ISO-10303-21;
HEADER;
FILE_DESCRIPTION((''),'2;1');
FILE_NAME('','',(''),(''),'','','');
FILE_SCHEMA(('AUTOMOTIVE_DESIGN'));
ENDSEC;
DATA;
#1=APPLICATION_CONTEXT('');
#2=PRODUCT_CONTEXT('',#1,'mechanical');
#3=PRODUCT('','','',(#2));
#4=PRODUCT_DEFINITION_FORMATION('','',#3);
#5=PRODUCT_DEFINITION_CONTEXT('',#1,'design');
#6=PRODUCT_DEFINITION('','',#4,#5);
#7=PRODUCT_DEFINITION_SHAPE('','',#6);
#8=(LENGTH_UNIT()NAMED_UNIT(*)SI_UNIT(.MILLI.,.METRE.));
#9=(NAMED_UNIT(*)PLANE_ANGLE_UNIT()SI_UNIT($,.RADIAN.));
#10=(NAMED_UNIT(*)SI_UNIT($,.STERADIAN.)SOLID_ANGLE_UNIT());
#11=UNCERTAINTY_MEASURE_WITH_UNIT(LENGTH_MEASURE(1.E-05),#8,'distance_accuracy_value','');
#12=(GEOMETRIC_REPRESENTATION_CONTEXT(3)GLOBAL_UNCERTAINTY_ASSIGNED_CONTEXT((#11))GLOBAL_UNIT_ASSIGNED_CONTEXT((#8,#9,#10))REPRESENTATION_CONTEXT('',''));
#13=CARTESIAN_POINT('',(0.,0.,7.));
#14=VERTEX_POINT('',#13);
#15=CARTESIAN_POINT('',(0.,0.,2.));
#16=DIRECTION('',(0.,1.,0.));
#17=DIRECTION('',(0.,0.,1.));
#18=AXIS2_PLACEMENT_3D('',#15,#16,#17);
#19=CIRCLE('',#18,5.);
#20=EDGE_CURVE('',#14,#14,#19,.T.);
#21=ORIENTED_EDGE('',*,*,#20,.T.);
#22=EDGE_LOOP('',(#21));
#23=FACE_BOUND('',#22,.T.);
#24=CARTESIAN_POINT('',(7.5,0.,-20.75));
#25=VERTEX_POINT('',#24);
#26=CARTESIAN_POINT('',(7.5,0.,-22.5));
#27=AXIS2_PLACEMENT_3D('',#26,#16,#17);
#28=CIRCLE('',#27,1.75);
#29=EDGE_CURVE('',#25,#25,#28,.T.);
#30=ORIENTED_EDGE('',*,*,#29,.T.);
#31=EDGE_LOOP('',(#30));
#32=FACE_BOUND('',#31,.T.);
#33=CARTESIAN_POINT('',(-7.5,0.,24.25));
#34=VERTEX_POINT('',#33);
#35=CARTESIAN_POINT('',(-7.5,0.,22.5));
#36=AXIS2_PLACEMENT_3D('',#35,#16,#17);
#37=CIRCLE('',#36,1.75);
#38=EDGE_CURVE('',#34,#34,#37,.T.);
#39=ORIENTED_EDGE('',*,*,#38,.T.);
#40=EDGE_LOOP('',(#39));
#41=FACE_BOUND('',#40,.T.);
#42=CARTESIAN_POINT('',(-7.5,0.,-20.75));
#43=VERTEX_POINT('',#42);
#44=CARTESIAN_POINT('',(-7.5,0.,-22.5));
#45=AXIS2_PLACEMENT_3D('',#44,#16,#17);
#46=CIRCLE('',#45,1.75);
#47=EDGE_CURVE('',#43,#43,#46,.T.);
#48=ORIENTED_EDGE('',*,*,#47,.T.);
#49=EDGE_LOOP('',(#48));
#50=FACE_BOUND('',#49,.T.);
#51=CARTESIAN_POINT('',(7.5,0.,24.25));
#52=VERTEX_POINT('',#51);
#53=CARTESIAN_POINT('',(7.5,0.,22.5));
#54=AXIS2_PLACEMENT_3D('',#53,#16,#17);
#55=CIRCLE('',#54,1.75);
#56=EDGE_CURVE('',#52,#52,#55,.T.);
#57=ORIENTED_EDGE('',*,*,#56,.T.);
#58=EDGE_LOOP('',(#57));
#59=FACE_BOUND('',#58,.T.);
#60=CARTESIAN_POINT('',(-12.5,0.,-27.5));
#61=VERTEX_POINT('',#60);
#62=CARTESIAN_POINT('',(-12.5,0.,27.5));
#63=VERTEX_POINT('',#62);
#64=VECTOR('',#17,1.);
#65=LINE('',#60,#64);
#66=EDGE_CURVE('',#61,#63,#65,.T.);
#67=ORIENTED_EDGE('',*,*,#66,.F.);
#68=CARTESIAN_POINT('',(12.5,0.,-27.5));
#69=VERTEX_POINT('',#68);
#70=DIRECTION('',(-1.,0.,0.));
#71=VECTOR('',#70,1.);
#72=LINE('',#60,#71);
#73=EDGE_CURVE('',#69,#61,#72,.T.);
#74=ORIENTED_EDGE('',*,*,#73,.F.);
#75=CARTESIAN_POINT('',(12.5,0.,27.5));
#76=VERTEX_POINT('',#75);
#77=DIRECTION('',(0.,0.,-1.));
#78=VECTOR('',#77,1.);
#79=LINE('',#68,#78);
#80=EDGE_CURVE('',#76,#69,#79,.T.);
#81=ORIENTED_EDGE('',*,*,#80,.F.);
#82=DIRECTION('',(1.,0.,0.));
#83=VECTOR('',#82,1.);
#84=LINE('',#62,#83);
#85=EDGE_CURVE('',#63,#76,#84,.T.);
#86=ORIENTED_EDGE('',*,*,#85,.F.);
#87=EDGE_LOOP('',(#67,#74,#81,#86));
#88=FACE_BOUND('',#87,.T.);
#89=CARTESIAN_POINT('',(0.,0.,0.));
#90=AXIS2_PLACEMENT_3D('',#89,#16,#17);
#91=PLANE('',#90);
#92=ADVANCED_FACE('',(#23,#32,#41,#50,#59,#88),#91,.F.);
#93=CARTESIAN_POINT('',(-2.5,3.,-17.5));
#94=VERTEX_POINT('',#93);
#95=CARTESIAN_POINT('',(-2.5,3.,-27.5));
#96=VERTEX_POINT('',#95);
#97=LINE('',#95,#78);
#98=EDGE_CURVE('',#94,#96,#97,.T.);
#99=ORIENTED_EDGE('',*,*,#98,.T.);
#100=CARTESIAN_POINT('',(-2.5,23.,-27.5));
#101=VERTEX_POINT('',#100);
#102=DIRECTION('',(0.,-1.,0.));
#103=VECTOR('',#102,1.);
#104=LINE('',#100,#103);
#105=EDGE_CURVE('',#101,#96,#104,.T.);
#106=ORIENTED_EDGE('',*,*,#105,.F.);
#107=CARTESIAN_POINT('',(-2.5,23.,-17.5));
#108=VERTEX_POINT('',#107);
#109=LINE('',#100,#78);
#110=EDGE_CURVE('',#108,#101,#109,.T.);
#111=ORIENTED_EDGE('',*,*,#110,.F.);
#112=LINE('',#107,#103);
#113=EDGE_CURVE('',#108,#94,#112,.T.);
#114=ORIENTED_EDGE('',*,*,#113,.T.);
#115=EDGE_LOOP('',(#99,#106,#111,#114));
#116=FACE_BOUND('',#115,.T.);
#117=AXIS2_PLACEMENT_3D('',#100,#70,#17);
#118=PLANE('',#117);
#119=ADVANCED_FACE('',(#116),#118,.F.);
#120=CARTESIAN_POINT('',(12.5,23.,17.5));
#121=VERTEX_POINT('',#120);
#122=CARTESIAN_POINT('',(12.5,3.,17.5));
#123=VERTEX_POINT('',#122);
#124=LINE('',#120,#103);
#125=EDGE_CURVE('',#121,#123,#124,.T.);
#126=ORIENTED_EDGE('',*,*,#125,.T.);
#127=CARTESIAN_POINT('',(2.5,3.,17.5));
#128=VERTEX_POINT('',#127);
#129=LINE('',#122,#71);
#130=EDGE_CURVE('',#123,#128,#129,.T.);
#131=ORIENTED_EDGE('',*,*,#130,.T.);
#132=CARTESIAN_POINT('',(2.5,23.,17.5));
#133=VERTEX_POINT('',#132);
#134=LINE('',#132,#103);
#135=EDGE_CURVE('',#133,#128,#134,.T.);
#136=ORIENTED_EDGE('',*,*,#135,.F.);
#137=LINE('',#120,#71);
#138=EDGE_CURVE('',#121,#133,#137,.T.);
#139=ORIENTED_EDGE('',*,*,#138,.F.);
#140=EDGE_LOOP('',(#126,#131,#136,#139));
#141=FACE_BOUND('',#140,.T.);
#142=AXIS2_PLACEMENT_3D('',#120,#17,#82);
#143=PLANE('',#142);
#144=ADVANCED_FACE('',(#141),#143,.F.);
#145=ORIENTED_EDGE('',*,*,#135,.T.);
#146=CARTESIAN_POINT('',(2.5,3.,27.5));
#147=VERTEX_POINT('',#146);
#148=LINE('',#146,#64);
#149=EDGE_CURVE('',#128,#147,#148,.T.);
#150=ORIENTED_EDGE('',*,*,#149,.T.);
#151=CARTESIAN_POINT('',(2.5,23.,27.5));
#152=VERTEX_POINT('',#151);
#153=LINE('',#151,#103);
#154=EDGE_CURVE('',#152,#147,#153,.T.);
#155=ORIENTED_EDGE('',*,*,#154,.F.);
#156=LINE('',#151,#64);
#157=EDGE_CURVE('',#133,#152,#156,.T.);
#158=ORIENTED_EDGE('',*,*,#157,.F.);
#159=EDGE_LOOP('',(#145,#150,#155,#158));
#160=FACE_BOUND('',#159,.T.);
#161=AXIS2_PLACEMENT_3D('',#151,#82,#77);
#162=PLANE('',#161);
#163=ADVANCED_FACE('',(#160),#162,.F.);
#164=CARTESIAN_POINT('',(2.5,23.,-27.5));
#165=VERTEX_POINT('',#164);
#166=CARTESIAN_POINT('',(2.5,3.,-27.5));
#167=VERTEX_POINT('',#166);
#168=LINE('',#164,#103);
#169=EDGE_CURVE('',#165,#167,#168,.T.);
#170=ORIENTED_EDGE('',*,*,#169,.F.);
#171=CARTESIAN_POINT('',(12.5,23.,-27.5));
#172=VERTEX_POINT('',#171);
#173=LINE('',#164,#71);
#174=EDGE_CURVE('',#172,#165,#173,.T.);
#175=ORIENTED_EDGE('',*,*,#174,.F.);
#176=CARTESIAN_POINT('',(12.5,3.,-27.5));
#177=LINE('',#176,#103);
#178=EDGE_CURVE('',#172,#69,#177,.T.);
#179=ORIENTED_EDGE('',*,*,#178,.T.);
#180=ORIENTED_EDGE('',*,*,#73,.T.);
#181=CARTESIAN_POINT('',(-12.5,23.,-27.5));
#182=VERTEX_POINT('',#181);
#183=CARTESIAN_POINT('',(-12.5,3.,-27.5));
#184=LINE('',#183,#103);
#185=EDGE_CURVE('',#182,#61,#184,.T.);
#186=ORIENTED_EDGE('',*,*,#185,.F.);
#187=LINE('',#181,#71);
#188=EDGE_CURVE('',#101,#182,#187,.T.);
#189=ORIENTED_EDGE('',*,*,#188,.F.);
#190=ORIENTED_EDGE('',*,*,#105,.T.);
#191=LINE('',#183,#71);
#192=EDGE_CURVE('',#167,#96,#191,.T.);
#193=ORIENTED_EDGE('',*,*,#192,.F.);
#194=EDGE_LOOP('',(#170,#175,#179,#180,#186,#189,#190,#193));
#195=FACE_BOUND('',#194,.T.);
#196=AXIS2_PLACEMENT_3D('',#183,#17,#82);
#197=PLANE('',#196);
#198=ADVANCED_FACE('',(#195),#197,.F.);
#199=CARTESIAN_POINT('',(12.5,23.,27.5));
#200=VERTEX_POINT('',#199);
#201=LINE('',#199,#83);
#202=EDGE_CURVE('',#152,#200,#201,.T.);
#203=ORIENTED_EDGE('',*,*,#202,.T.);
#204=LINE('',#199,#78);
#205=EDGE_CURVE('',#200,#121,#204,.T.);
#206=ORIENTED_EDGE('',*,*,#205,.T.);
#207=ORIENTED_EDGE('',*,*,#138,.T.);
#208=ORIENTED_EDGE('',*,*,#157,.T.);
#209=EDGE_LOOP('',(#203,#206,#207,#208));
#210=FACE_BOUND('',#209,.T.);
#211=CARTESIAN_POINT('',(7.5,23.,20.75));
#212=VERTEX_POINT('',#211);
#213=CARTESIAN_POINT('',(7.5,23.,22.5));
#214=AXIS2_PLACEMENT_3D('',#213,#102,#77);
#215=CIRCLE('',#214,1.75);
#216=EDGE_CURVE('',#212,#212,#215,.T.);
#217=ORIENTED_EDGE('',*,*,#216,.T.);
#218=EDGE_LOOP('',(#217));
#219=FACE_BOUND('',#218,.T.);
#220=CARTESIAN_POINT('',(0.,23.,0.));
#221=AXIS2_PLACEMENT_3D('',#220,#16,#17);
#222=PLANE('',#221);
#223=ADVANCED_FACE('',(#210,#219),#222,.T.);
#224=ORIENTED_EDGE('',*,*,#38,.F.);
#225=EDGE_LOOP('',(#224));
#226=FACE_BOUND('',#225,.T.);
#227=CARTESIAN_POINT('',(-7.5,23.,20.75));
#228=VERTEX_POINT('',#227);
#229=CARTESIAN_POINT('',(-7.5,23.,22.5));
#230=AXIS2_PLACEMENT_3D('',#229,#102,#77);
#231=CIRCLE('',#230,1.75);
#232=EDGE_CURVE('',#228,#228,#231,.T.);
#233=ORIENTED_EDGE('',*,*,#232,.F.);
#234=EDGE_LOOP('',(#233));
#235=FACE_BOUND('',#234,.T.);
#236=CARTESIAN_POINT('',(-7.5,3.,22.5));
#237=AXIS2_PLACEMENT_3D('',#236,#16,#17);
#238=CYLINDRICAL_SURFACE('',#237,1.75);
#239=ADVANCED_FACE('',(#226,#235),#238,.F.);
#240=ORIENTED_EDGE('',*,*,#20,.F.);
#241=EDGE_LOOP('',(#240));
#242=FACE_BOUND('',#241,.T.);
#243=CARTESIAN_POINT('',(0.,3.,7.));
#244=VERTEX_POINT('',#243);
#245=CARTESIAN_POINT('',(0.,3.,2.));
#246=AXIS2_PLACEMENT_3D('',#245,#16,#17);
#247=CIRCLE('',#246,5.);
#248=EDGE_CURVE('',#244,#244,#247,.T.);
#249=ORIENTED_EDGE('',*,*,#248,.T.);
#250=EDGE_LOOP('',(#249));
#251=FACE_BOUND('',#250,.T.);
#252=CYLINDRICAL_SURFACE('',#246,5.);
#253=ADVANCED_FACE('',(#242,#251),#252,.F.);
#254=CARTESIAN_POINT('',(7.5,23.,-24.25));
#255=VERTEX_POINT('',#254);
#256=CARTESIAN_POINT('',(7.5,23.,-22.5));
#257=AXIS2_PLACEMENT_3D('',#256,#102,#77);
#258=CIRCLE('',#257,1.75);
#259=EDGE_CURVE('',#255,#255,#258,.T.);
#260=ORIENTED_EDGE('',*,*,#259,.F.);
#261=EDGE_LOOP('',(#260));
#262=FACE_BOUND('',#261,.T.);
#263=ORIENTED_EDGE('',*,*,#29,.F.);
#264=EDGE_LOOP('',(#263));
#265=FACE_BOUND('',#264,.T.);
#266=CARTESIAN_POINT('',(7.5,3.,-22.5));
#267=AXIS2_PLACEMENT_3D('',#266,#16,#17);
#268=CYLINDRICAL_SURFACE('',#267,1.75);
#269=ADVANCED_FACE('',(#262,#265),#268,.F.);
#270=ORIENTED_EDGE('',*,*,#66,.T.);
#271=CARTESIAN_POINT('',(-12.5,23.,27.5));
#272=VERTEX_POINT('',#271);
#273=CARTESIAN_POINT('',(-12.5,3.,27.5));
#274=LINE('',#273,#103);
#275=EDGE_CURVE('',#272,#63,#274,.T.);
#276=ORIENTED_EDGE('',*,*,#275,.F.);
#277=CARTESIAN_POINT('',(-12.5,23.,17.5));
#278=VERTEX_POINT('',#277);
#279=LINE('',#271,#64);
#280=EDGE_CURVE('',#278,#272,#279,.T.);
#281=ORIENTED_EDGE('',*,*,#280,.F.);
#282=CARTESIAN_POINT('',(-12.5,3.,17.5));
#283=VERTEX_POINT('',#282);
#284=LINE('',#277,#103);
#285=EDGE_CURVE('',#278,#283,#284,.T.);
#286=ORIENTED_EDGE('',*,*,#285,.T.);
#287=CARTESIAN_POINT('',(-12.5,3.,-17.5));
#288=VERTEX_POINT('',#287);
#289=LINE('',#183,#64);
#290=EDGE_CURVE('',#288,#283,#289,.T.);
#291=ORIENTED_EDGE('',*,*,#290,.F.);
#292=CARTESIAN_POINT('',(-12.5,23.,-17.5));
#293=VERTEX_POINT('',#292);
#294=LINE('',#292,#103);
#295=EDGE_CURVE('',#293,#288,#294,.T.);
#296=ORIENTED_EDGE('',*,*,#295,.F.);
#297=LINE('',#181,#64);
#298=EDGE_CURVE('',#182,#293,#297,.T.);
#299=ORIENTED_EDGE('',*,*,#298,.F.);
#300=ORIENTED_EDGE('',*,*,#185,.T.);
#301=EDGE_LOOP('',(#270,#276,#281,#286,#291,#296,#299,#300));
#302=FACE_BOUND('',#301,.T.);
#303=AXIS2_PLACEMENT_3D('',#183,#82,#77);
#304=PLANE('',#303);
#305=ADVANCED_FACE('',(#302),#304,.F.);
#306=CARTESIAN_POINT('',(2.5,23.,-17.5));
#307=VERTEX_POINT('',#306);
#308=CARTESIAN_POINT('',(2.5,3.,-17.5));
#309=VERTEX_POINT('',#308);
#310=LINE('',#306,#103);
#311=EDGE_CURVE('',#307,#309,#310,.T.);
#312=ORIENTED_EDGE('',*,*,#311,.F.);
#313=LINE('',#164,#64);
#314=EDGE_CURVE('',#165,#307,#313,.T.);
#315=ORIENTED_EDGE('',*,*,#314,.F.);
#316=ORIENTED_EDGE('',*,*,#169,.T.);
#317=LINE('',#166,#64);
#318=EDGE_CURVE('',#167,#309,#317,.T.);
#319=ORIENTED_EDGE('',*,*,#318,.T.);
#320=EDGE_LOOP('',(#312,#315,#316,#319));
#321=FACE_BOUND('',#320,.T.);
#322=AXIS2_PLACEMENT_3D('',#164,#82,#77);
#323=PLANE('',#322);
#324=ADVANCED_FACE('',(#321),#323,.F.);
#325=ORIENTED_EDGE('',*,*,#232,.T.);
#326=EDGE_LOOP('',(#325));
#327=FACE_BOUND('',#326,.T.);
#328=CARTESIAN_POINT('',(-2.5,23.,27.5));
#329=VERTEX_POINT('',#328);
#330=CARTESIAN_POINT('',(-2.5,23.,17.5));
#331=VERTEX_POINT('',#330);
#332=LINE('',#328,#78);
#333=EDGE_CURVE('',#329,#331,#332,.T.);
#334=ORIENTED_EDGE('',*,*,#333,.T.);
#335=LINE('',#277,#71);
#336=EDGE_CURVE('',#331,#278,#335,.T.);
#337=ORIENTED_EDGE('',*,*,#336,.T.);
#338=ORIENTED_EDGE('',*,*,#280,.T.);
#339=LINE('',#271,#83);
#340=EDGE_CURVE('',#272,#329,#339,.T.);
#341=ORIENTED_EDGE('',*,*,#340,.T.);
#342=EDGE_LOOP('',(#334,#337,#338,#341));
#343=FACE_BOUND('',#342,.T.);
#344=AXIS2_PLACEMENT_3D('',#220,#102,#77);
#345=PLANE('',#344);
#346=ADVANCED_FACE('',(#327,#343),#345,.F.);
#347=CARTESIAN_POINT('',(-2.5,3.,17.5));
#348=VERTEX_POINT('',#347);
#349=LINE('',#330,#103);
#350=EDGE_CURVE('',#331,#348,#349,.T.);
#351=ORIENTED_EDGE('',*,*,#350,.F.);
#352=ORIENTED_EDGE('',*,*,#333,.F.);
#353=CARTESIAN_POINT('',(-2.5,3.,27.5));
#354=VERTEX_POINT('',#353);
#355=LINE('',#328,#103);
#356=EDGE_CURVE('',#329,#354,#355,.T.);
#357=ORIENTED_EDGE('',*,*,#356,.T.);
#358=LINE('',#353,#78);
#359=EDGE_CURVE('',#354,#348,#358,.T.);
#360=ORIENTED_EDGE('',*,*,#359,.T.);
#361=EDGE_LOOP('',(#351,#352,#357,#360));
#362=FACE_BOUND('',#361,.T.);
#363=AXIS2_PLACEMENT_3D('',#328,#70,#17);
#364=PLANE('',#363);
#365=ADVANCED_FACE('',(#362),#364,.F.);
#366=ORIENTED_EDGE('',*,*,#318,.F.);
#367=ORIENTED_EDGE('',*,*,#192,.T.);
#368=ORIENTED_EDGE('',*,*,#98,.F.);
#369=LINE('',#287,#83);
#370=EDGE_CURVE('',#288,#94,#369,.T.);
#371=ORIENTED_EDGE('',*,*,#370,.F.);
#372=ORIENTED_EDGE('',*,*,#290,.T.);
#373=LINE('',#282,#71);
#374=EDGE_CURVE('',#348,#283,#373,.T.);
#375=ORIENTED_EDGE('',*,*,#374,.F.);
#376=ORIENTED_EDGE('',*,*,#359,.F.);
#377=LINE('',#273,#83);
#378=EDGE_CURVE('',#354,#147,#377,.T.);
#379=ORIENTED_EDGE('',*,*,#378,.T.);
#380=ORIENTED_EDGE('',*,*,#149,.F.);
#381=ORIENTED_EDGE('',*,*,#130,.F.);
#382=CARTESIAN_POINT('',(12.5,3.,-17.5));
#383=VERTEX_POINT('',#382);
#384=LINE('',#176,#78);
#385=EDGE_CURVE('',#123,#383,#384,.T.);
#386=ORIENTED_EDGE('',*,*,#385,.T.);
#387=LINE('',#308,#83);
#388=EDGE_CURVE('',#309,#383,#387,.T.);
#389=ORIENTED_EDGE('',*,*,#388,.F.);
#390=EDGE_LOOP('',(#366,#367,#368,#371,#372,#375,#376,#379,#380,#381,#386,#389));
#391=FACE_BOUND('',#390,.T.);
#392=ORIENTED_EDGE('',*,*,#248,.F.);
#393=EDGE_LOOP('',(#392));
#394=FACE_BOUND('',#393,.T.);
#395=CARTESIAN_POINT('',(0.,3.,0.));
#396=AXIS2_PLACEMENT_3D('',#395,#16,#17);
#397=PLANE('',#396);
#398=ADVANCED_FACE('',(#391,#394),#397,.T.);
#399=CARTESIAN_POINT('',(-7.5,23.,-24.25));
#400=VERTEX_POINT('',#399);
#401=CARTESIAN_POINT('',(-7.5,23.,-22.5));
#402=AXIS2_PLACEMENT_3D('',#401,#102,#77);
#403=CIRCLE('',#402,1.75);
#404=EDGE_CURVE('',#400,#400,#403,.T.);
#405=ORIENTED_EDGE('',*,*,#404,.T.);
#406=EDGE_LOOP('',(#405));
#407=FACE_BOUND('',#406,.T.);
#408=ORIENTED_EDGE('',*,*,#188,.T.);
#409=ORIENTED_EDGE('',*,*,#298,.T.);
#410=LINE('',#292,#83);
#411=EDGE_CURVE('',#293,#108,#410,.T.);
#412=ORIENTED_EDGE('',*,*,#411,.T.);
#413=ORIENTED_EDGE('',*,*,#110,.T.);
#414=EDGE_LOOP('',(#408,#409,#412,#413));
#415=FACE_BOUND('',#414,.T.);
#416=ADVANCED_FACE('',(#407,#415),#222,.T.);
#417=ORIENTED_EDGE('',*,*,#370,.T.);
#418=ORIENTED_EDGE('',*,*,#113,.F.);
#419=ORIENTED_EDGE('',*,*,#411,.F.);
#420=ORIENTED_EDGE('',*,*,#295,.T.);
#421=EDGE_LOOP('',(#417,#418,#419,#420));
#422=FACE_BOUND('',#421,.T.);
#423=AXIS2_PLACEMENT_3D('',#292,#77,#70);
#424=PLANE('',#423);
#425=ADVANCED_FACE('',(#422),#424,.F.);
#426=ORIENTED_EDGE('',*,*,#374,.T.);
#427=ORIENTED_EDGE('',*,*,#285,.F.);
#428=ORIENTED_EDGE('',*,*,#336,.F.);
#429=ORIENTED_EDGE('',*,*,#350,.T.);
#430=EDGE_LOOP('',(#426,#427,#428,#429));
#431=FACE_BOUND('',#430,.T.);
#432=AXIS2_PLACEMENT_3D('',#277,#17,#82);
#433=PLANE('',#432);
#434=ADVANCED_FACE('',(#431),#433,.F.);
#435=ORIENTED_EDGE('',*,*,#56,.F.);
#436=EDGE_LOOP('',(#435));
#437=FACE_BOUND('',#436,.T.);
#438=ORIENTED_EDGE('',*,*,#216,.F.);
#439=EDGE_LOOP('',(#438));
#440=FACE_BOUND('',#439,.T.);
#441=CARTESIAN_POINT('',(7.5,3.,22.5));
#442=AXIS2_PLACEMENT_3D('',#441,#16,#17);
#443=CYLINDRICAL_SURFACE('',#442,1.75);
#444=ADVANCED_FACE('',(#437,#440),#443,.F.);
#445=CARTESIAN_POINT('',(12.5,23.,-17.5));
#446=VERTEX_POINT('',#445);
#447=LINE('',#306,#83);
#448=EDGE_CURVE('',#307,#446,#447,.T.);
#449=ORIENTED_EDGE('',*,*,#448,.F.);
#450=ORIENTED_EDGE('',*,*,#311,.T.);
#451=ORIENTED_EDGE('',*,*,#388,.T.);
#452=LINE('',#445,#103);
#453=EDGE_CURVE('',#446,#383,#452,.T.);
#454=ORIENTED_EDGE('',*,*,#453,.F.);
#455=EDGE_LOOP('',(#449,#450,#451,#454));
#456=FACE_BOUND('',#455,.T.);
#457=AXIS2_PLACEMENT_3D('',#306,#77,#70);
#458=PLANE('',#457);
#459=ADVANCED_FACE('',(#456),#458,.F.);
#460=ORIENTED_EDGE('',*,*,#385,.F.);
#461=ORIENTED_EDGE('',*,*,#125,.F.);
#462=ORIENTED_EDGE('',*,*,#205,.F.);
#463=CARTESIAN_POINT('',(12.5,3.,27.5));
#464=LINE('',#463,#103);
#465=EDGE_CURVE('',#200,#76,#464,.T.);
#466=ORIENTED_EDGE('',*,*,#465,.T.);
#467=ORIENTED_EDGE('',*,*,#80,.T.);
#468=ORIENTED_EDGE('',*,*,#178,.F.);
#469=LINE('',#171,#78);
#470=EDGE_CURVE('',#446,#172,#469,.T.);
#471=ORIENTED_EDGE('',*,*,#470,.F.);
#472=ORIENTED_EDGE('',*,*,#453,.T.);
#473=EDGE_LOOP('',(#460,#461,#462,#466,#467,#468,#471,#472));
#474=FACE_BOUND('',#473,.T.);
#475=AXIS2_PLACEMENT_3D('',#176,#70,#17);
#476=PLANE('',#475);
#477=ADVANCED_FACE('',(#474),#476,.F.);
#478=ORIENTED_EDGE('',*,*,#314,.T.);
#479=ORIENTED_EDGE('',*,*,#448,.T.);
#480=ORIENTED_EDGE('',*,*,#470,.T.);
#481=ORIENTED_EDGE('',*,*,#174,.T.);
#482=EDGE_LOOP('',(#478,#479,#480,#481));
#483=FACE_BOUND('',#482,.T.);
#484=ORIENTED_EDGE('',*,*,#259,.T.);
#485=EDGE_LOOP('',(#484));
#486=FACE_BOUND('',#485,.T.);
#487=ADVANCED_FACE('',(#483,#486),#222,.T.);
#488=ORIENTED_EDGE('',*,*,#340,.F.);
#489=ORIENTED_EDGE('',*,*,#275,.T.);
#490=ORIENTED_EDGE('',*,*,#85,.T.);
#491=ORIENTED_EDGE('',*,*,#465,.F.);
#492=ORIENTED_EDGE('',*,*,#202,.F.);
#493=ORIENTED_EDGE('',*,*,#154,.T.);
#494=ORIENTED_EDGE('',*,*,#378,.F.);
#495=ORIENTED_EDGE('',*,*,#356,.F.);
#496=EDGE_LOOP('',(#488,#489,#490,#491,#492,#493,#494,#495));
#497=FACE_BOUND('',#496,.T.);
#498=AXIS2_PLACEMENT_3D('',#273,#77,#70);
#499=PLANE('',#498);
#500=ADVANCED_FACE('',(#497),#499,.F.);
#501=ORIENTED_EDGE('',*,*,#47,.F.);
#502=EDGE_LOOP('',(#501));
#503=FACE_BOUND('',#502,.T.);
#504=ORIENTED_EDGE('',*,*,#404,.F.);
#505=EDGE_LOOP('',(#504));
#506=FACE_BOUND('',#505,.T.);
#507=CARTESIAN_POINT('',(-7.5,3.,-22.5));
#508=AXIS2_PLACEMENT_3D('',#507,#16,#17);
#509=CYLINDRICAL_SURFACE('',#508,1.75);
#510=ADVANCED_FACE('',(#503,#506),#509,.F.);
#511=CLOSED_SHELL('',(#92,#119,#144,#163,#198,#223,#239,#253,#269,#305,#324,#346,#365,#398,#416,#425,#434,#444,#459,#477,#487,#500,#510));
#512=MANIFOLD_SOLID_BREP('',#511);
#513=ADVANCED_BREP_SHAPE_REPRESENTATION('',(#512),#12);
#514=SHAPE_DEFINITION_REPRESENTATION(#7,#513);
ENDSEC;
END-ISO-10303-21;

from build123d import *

# Parameters (mm, degrees)
SKETCH_1_W               = 25
SKETCH_1_H               = 55
EXTRUDE_1_DEPTH          = 3
SKETCH_7_W               = 10
SKETCH_7_H               = 10
EXTRUDE_2_DEPTH          = 20
HOLE_WIZARD_2_D          = 10
SKETCH_4_W               = 1.75
SKETCH_4_H               = 3
HOLE_WIZARD_1_AT_2_COUNT = 2
HOLE_WIZARD_1_AT_2_PITCH = 15
HOLE_WIZARD_1_AT_3_COUNT = 2
HOLE_WIZARD_1_AT_3_PITCH = 47.434164903
HOLE_WIZARD_1_AT_4_COUNT = 2
HOLE_WIZARD_1_AT_4_PITCH = 45
HOLE_WIZARD_3_D          = 3.5


with BuildPart() as part:
    # 草图1 → 凸台-拉伸1 (new body)
    with BuildSketch(Plane(origin=(0, 0, 0), x_dir=(1, 0, 0), z_dir=(0, 1, 0))):
        Rectangle(SKETCH_1_W, SKETCH_1_H)
    extrude(amount=EXTRUDE_1_DEPTH)

    # 草图7 → 凸台-拉伸2 (add)
    with BuildSketch(Plane(origin=(0, 3, 0), x_dir=(1, 0, 0), z_dir=(0, 1, 0))):
        with Locations((-7.5, 22.5)):
            Rectangle(SKETCH_7_W, SKETCH_7_H)
        with Locations((7.5, 22.5)):
            Rectangle(SKETCH_7_W, SKETCH_7_H)
        with Locations((7.5, -22.5)):
            Rectangle(SKETCH_7_W, SKETCH_7_H)
        with Locations((-7.5, -22.5)):
            Rectangle(SKETCH_7_W, SKETCH_7_H)
    extrude(amount=EXTRUDE_2_DEPTH)

    # 孔2 (through all)
    with Locations(Plane(origin=(0, 3, 0), x_dir=(1, 0, 0), z_dir=(0, 1, 0))):
        with Locations((0, -2)):
            Hole(HOLE_WIZARD_2_D / 2)

    # 草图4 → 孔1 (revolve, cut)
    with BuildSketch(Plane(origin=(-7.5, 3, -22.5), x_dir=(0, 0, 1), z_dir=(1, 0, 0))):
        with Locations((0.875, 1.5)):
            Rectangle(SKETCH_4_W, SKETCH_4_H)
    hole_wizard_1 = revolve(axis=Axis((-7.5, -107, -22.5), (0, 1, 0)), mode=Mode.SUBTRACT)

    # 孔1 at 2: 孔1 ×2
    with Locations(*[(i * HOLE_WIZARD_1_AT_2_PITCH, 0, 0) for i in range(1, HOLE_WIZARD_1_AT_2_COUNT)]):
        add(hole_wizard_1, mode=Mode.SUBTRACT)

    # 孔1 at 3: 孔1 ×2
    with Locations(*[Vector(0.3162277660168381, 0, 0.9486832980505139) * (i * HOLE_WIZARD_1_AT_3_PITCH) for i in range(1, HOLE_WIZARD_1_AT_3_COUNT)]):
        add(hole_wizard_1, mode=Mode.SUBTRACT)

    # 孔1 at 4: 孔1 ×2
    with Locations(*[(0, 0, i * HOLE_WIZARD_1_AT_4_PITCH) for i in range(1, HOLE_WIZARD_1_AT_4_COUNT)]):
        add(hole_wizard_1, mode=Mode.SUBTRACT)

    # 孔3 (through all)
    with Locations(Plane(origin=(0, 0, 0), x_dir=(-1, 0, 0), z_dir=(0, -1, 0))):
        with Locations((7.5, 22.5), (-7.5, 22.5), (-7.5, -22.5), (7.5, -22.5)):
            Hole(HOLE_WIZARD_3_D / 2)


solid = part.part
